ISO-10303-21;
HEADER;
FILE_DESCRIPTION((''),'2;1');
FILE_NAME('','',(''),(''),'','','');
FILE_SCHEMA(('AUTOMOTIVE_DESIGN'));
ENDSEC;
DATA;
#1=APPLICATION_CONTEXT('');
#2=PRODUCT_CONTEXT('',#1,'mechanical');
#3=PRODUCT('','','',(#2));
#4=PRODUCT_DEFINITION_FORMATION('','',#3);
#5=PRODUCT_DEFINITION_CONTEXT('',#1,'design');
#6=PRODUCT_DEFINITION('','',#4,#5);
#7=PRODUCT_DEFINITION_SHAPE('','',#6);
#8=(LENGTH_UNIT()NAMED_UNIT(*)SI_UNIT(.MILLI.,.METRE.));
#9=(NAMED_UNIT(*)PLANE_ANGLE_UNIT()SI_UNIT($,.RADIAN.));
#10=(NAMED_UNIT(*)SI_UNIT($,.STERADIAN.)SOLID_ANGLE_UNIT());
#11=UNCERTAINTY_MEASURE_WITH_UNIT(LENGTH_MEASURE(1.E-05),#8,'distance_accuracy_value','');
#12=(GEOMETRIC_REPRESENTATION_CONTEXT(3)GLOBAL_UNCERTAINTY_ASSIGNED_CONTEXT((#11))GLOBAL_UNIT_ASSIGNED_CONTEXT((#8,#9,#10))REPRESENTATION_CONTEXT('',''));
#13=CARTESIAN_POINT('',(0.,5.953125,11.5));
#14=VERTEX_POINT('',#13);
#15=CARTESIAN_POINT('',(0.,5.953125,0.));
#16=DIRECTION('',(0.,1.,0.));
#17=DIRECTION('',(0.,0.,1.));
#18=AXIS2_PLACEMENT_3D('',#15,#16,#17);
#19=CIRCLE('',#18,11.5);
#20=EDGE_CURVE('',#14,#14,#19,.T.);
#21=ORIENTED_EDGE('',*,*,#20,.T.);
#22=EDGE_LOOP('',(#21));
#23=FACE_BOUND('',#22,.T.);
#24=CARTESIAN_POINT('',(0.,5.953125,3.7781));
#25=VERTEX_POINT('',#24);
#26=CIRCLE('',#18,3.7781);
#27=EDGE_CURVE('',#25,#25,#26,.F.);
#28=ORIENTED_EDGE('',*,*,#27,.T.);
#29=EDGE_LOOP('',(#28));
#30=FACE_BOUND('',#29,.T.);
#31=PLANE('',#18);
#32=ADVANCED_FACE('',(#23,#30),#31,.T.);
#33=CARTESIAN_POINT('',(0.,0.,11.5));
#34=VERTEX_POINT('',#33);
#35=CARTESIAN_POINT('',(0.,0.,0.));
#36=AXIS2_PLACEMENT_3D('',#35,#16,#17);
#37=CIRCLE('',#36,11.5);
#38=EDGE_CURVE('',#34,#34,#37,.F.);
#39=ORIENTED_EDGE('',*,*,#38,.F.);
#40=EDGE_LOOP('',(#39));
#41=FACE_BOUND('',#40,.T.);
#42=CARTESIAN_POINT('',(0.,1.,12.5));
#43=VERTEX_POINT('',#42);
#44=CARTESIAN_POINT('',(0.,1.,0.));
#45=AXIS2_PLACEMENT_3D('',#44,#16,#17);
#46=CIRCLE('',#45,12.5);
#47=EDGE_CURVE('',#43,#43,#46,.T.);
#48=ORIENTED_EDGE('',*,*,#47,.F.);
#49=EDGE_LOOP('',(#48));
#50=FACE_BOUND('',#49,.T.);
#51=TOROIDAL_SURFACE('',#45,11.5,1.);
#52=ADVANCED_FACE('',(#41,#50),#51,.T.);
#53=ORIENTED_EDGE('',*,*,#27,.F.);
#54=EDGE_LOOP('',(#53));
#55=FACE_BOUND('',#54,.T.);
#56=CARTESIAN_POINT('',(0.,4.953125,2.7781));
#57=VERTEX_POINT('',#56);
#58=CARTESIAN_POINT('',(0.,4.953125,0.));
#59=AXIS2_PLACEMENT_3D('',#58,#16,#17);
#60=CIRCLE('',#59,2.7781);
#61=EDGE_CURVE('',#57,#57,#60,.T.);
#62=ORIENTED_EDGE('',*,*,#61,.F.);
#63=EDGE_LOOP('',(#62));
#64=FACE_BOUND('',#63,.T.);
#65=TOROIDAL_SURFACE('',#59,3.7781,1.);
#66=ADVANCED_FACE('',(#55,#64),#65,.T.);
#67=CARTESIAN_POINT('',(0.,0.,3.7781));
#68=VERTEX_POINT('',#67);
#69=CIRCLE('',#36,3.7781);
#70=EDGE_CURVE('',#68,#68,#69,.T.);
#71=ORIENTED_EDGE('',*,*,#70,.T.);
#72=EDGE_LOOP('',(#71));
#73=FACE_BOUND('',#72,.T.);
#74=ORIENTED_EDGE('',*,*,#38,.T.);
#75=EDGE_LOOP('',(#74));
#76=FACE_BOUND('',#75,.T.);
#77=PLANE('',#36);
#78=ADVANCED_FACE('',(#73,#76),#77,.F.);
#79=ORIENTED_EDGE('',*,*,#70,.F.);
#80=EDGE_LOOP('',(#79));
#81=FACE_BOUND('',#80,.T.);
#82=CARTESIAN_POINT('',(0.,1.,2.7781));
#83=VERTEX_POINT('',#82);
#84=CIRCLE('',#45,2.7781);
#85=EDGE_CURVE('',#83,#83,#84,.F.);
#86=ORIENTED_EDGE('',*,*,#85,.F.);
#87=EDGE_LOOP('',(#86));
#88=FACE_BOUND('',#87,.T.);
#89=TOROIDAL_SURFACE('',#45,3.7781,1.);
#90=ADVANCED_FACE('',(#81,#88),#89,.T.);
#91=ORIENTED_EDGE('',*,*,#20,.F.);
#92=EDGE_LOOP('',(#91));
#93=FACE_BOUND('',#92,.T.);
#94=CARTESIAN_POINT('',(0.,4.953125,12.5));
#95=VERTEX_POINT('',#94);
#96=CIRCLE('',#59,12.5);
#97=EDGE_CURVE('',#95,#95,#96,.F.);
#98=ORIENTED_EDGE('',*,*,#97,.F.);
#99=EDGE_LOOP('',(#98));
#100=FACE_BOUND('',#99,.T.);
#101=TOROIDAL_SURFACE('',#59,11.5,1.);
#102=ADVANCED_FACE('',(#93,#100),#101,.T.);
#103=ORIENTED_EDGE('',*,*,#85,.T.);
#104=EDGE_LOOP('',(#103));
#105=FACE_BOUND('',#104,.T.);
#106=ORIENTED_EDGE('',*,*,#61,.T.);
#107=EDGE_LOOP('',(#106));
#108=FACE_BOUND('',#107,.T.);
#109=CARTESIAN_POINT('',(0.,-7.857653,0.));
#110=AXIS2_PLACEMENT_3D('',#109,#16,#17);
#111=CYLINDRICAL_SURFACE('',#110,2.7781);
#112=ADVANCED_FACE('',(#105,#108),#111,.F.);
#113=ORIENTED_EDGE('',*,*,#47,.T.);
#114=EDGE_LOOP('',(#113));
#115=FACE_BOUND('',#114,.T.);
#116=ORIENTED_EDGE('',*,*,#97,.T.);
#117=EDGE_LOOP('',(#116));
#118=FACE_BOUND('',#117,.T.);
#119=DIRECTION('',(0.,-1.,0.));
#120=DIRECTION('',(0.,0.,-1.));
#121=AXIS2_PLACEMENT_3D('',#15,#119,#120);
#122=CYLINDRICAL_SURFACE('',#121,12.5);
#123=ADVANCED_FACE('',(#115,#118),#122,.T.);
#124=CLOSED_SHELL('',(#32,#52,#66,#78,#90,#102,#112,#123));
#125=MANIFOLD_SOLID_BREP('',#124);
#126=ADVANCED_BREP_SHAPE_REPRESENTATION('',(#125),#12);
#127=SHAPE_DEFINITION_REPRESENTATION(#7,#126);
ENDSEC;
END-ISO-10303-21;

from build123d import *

# Parameters (mm, degrees)
SKETCH1_R           = 12.5
BOSS_EXTRUDE1_DEPTH = 5.953125
SKETCH2_R           = 2.7781
CUT_EXTRUDE1_DEPTH  = 5.953125
FILLET1_R           = 1


with BuildPart() as part:
    # Sketch1 → Boss-Extrude1 (new body)
    with BuildSketch(Plane(origin=(0, 0, 0), x_dir=(1, 0, 0), z_dir=(0, 1, 0))):
        Circle(SKETCH1_R)
    extrude(amount=BOSS_EXTRUDE1_DEPTH)

    # Sketch2 → Cut-Extrude1 (cut)
    with BuildSketch(Plane(origin=(0, 5.953125, 0), x_dir=(1, 0, 0), z_dir=(0, 1, 0))):
        Circle(SKETCH2_R)
    extrude(amount=-CUT_EXTRUDE1_DEPTH, mode=Mode.SUBTRACT)

    # Fillet1
    fillet1_edges = [part.edges().sort_by_distance(p)[0] for p in [
        (-12.5, 0, 0),
        (-12.5, 5.953125, 0),
        (-2.7781, 5.953125, 0),
        (-2.7781, 0, 0),
    ]]
    fillet(fillet1_edges, radius=FILLET1_R)


solid = part.part
